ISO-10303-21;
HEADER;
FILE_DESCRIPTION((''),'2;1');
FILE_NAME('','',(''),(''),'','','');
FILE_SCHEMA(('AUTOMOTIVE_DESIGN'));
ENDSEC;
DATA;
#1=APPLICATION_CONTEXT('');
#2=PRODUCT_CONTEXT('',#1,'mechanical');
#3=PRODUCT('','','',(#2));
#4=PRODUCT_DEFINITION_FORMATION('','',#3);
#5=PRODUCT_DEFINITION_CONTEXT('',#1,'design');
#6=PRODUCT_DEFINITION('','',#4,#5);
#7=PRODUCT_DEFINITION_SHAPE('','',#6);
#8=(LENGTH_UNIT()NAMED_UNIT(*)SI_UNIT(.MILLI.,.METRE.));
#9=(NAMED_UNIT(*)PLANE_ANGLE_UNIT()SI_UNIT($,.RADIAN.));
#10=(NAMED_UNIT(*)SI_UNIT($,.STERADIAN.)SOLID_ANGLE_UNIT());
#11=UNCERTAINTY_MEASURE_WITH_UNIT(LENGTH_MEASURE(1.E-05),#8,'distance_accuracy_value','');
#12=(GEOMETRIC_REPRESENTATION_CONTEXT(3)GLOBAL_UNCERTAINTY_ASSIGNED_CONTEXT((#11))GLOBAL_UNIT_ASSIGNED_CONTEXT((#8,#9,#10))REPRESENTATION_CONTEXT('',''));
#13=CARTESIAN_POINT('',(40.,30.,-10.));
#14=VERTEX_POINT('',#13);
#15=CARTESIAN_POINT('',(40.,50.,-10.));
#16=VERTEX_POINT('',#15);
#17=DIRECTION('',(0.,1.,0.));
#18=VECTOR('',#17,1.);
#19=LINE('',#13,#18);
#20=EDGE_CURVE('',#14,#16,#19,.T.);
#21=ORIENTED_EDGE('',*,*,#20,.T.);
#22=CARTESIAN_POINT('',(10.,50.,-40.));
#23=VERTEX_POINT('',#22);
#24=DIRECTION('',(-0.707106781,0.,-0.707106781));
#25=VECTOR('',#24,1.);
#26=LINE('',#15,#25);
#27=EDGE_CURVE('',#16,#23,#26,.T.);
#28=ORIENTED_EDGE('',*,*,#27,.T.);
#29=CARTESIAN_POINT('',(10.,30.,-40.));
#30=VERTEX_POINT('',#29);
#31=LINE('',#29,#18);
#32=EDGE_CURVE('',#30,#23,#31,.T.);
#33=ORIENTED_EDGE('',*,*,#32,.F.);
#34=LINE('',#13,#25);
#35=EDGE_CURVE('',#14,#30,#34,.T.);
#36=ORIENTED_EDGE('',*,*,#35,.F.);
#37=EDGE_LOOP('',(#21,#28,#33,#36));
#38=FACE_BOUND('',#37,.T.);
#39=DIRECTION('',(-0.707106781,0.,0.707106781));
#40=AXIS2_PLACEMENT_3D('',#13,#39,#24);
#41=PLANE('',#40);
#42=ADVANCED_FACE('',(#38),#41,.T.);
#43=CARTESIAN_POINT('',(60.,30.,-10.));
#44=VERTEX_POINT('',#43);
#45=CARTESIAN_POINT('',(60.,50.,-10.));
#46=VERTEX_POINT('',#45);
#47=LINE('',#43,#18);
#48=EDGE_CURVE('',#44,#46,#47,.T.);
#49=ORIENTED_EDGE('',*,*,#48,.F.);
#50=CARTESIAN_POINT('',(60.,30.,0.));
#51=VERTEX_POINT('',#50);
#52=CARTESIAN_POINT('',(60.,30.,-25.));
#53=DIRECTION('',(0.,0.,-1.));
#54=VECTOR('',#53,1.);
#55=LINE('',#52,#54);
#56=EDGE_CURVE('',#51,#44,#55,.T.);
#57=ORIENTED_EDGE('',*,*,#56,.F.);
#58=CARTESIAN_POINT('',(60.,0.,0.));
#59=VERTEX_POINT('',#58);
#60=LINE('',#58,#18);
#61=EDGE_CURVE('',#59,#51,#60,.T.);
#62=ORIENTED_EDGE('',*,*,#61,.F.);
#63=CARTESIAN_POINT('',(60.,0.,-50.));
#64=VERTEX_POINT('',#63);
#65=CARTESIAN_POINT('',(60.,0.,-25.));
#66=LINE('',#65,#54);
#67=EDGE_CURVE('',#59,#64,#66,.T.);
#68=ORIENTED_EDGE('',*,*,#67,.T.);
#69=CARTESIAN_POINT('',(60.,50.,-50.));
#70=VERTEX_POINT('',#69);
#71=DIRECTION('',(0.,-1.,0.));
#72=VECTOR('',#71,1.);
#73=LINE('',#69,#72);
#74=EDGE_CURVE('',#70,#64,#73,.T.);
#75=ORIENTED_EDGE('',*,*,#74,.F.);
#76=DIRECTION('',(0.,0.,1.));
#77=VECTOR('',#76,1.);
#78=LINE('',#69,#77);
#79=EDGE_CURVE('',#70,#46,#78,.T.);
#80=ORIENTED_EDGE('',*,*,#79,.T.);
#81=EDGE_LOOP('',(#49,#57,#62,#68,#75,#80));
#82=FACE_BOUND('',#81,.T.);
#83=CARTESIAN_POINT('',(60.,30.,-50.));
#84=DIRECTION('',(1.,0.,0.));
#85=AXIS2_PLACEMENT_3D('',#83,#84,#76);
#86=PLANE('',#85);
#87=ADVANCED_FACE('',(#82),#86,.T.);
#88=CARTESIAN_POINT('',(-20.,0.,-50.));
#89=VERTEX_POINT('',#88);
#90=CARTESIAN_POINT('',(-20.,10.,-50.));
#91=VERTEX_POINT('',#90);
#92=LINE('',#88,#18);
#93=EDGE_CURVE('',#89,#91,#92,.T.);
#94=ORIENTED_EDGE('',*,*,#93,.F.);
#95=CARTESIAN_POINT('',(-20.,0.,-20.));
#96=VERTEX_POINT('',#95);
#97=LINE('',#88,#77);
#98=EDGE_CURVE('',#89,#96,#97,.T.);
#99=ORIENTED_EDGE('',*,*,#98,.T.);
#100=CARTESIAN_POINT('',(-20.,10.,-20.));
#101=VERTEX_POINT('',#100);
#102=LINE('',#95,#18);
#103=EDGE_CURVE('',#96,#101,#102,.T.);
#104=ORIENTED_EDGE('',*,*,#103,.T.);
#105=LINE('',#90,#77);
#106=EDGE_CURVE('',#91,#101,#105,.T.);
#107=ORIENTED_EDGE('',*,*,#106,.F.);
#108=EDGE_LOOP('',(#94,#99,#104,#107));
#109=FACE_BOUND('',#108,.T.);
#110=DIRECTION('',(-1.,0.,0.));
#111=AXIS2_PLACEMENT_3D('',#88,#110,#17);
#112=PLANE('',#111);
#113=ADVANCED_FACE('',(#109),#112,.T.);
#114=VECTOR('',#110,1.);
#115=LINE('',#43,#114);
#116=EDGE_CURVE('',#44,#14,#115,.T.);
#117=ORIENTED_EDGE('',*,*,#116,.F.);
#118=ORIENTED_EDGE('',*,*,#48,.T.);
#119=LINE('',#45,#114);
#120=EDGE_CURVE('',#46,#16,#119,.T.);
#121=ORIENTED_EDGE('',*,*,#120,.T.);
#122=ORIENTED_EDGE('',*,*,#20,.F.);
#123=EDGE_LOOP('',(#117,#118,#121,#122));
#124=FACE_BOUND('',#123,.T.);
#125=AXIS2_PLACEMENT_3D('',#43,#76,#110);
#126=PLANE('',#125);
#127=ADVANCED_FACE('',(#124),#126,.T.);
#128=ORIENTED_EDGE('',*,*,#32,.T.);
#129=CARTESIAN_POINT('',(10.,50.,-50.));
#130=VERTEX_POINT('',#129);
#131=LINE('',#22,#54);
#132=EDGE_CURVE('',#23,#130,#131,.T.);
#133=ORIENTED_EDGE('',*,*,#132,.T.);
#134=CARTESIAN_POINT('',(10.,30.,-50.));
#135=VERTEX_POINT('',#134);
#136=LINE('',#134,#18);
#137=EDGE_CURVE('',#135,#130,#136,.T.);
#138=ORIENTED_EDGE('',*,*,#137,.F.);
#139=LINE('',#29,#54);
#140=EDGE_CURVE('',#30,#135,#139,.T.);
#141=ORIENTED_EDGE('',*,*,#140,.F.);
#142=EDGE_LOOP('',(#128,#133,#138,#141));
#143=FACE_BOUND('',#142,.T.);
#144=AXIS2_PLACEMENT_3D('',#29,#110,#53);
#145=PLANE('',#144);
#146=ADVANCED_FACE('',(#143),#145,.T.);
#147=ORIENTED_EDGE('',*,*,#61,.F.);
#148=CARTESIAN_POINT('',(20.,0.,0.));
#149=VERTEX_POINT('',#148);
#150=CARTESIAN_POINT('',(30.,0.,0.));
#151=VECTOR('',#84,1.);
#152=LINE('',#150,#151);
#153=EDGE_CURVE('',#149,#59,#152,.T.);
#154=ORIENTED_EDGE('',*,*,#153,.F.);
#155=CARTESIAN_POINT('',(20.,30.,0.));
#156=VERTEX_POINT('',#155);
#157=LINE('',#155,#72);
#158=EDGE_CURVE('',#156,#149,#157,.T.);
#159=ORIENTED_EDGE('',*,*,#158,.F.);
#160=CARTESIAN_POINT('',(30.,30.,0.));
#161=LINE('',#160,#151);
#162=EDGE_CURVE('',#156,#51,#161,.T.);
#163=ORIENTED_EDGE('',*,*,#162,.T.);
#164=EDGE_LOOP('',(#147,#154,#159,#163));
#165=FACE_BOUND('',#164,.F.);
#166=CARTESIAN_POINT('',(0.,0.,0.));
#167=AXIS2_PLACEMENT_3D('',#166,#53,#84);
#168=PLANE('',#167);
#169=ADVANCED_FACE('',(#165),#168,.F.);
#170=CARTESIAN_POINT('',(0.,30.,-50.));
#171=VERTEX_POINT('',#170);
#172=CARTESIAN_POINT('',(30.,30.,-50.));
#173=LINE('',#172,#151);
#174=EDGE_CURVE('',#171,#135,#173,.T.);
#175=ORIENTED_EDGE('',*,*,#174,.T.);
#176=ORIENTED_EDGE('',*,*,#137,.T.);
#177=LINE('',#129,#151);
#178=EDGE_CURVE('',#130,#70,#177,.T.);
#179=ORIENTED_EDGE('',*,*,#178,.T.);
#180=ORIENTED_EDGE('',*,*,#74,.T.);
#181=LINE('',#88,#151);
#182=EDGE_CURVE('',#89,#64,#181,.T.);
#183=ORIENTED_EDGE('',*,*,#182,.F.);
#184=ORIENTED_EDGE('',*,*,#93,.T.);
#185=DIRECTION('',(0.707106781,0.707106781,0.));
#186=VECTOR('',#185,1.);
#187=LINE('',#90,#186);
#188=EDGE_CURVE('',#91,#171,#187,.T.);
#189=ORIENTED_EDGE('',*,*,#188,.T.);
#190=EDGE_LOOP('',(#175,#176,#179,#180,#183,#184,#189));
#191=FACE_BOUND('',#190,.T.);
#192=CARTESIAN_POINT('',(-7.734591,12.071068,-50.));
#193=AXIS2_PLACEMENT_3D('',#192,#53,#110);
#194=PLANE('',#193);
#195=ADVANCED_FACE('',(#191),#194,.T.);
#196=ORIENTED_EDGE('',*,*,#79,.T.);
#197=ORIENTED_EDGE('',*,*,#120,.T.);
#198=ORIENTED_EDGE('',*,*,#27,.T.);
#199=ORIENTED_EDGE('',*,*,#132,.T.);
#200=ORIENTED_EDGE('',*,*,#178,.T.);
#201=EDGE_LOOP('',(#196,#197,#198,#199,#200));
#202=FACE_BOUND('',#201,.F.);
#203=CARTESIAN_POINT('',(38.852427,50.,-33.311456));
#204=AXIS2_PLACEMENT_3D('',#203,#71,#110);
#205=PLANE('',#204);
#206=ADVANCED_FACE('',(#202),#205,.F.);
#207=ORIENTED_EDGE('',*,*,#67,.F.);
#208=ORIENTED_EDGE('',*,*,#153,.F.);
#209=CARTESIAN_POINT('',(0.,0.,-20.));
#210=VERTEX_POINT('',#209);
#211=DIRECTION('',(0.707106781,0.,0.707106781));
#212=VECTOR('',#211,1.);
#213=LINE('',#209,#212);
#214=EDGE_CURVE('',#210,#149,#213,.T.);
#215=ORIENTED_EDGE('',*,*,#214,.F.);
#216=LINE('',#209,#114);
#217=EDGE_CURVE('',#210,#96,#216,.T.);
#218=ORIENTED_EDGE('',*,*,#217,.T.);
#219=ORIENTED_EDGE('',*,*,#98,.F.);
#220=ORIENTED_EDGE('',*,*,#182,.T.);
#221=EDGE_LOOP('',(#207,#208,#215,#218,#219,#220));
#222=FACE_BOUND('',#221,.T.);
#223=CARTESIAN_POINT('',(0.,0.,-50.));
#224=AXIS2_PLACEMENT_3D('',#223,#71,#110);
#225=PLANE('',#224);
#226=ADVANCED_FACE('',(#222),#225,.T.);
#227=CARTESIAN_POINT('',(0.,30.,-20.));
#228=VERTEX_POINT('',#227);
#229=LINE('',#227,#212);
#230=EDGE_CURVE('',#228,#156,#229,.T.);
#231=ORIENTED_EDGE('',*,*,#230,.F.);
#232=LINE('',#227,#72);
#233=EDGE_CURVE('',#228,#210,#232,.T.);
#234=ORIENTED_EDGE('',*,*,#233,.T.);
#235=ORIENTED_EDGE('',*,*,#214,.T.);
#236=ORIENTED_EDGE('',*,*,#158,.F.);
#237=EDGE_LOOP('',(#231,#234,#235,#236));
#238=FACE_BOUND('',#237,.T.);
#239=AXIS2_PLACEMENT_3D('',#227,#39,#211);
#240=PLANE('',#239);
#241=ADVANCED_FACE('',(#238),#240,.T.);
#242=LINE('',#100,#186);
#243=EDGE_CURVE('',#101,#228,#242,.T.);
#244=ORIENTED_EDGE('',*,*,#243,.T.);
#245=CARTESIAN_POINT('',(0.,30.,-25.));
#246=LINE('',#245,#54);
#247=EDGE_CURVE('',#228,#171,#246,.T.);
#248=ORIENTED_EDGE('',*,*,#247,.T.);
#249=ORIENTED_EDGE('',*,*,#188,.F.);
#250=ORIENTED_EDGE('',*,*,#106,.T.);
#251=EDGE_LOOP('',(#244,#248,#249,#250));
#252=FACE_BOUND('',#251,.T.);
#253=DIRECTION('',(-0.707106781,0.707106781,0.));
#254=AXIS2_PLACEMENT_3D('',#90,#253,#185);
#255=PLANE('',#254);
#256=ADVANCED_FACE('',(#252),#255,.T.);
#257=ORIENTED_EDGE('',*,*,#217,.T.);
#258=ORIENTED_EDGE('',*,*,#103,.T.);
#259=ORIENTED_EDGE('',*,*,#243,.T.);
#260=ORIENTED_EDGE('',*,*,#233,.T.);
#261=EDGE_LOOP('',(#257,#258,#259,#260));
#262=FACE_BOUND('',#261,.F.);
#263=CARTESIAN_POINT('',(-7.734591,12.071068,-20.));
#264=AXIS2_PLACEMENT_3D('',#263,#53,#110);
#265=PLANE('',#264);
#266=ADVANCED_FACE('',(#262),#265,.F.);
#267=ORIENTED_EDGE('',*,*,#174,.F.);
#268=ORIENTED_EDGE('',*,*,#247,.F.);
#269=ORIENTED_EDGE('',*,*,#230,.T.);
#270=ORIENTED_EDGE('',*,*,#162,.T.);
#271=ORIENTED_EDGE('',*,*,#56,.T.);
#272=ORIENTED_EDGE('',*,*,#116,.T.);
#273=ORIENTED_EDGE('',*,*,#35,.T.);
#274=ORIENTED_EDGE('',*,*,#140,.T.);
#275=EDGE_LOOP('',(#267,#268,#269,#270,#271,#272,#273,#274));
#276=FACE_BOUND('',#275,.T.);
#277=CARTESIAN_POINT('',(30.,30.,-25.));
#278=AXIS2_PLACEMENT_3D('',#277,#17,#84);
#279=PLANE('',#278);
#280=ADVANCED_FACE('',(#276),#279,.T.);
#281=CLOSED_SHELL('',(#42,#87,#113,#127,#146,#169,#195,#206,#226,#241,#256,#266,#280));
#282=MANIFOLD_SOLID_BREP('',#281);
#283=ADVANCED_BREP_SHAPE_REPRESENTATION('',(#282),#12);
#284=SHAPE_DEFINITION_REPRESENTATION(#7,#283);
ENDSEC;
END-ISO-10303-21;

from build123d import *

# Parameters (mm, degrees)
SKETCH1_W           = 60
SKETCH1_H           = 50
BOSS_EXTRUDE1_DEPTH = 30
CUT_EXTRUDE1_DEPTH  = 30
BOSS_EXTRUDE2_DEPTH = 20
BOSS_EXTRUDE3_DEPTH = 30


with BuildPart() as part:
    # Sketch1 → Boss-Extrude1 (new body)
    with BuildSketch(Plane(origin=(0, 0, 0), x_dir=(1, 0, 0), z_dir=(0, 1, 0))):
        with Locations((30, 25)):
            Rectangle(SKETCH1_W, SKETCH1_H)
    extrude(amount=BOSS_EXTRUDE1_DEPTH)

    # Sketch2 → Cut-Extrude1 (cut)
    with BuildSketch(Plane(origin=(0, 30, 0), x_dir=(1, 0, 0), z_dir=(0, 1, 0))):
        Polygon((0, 20), (20, 0), (0, 0), align=None)
    extrude(amount=-CUT_EXTRUDE1_DEPTH, mode=Mode.SUBTRACT)

    # Sketch3 → Boss-Extrude2 (add)
    with BuildSketch(Plane(origin=(0, 30, 0), x_dir=(1, 0, 0), z_dir=(0, 1, 0))):
        Polygon((10, 50), (60, 50), (60, 10), (40, 10), (10, 40), align=None)
    extrude(amount=BOSS_EXTRUDE2_DEPTH)

    # Sketch4 → Boss-Extrude3 (add)
    with BuildSketch(Plane(origin=(0, 0, -50), x_dir=(-1, 0, 0), z_dir=(0, 0, -1))):
        Polygon((20, 0), (20, 10), (0, 30), (0, 0), align=None)
    extrude(amount=-BOSS_EXTRUDE3_DEPTH)


solid = part.part
